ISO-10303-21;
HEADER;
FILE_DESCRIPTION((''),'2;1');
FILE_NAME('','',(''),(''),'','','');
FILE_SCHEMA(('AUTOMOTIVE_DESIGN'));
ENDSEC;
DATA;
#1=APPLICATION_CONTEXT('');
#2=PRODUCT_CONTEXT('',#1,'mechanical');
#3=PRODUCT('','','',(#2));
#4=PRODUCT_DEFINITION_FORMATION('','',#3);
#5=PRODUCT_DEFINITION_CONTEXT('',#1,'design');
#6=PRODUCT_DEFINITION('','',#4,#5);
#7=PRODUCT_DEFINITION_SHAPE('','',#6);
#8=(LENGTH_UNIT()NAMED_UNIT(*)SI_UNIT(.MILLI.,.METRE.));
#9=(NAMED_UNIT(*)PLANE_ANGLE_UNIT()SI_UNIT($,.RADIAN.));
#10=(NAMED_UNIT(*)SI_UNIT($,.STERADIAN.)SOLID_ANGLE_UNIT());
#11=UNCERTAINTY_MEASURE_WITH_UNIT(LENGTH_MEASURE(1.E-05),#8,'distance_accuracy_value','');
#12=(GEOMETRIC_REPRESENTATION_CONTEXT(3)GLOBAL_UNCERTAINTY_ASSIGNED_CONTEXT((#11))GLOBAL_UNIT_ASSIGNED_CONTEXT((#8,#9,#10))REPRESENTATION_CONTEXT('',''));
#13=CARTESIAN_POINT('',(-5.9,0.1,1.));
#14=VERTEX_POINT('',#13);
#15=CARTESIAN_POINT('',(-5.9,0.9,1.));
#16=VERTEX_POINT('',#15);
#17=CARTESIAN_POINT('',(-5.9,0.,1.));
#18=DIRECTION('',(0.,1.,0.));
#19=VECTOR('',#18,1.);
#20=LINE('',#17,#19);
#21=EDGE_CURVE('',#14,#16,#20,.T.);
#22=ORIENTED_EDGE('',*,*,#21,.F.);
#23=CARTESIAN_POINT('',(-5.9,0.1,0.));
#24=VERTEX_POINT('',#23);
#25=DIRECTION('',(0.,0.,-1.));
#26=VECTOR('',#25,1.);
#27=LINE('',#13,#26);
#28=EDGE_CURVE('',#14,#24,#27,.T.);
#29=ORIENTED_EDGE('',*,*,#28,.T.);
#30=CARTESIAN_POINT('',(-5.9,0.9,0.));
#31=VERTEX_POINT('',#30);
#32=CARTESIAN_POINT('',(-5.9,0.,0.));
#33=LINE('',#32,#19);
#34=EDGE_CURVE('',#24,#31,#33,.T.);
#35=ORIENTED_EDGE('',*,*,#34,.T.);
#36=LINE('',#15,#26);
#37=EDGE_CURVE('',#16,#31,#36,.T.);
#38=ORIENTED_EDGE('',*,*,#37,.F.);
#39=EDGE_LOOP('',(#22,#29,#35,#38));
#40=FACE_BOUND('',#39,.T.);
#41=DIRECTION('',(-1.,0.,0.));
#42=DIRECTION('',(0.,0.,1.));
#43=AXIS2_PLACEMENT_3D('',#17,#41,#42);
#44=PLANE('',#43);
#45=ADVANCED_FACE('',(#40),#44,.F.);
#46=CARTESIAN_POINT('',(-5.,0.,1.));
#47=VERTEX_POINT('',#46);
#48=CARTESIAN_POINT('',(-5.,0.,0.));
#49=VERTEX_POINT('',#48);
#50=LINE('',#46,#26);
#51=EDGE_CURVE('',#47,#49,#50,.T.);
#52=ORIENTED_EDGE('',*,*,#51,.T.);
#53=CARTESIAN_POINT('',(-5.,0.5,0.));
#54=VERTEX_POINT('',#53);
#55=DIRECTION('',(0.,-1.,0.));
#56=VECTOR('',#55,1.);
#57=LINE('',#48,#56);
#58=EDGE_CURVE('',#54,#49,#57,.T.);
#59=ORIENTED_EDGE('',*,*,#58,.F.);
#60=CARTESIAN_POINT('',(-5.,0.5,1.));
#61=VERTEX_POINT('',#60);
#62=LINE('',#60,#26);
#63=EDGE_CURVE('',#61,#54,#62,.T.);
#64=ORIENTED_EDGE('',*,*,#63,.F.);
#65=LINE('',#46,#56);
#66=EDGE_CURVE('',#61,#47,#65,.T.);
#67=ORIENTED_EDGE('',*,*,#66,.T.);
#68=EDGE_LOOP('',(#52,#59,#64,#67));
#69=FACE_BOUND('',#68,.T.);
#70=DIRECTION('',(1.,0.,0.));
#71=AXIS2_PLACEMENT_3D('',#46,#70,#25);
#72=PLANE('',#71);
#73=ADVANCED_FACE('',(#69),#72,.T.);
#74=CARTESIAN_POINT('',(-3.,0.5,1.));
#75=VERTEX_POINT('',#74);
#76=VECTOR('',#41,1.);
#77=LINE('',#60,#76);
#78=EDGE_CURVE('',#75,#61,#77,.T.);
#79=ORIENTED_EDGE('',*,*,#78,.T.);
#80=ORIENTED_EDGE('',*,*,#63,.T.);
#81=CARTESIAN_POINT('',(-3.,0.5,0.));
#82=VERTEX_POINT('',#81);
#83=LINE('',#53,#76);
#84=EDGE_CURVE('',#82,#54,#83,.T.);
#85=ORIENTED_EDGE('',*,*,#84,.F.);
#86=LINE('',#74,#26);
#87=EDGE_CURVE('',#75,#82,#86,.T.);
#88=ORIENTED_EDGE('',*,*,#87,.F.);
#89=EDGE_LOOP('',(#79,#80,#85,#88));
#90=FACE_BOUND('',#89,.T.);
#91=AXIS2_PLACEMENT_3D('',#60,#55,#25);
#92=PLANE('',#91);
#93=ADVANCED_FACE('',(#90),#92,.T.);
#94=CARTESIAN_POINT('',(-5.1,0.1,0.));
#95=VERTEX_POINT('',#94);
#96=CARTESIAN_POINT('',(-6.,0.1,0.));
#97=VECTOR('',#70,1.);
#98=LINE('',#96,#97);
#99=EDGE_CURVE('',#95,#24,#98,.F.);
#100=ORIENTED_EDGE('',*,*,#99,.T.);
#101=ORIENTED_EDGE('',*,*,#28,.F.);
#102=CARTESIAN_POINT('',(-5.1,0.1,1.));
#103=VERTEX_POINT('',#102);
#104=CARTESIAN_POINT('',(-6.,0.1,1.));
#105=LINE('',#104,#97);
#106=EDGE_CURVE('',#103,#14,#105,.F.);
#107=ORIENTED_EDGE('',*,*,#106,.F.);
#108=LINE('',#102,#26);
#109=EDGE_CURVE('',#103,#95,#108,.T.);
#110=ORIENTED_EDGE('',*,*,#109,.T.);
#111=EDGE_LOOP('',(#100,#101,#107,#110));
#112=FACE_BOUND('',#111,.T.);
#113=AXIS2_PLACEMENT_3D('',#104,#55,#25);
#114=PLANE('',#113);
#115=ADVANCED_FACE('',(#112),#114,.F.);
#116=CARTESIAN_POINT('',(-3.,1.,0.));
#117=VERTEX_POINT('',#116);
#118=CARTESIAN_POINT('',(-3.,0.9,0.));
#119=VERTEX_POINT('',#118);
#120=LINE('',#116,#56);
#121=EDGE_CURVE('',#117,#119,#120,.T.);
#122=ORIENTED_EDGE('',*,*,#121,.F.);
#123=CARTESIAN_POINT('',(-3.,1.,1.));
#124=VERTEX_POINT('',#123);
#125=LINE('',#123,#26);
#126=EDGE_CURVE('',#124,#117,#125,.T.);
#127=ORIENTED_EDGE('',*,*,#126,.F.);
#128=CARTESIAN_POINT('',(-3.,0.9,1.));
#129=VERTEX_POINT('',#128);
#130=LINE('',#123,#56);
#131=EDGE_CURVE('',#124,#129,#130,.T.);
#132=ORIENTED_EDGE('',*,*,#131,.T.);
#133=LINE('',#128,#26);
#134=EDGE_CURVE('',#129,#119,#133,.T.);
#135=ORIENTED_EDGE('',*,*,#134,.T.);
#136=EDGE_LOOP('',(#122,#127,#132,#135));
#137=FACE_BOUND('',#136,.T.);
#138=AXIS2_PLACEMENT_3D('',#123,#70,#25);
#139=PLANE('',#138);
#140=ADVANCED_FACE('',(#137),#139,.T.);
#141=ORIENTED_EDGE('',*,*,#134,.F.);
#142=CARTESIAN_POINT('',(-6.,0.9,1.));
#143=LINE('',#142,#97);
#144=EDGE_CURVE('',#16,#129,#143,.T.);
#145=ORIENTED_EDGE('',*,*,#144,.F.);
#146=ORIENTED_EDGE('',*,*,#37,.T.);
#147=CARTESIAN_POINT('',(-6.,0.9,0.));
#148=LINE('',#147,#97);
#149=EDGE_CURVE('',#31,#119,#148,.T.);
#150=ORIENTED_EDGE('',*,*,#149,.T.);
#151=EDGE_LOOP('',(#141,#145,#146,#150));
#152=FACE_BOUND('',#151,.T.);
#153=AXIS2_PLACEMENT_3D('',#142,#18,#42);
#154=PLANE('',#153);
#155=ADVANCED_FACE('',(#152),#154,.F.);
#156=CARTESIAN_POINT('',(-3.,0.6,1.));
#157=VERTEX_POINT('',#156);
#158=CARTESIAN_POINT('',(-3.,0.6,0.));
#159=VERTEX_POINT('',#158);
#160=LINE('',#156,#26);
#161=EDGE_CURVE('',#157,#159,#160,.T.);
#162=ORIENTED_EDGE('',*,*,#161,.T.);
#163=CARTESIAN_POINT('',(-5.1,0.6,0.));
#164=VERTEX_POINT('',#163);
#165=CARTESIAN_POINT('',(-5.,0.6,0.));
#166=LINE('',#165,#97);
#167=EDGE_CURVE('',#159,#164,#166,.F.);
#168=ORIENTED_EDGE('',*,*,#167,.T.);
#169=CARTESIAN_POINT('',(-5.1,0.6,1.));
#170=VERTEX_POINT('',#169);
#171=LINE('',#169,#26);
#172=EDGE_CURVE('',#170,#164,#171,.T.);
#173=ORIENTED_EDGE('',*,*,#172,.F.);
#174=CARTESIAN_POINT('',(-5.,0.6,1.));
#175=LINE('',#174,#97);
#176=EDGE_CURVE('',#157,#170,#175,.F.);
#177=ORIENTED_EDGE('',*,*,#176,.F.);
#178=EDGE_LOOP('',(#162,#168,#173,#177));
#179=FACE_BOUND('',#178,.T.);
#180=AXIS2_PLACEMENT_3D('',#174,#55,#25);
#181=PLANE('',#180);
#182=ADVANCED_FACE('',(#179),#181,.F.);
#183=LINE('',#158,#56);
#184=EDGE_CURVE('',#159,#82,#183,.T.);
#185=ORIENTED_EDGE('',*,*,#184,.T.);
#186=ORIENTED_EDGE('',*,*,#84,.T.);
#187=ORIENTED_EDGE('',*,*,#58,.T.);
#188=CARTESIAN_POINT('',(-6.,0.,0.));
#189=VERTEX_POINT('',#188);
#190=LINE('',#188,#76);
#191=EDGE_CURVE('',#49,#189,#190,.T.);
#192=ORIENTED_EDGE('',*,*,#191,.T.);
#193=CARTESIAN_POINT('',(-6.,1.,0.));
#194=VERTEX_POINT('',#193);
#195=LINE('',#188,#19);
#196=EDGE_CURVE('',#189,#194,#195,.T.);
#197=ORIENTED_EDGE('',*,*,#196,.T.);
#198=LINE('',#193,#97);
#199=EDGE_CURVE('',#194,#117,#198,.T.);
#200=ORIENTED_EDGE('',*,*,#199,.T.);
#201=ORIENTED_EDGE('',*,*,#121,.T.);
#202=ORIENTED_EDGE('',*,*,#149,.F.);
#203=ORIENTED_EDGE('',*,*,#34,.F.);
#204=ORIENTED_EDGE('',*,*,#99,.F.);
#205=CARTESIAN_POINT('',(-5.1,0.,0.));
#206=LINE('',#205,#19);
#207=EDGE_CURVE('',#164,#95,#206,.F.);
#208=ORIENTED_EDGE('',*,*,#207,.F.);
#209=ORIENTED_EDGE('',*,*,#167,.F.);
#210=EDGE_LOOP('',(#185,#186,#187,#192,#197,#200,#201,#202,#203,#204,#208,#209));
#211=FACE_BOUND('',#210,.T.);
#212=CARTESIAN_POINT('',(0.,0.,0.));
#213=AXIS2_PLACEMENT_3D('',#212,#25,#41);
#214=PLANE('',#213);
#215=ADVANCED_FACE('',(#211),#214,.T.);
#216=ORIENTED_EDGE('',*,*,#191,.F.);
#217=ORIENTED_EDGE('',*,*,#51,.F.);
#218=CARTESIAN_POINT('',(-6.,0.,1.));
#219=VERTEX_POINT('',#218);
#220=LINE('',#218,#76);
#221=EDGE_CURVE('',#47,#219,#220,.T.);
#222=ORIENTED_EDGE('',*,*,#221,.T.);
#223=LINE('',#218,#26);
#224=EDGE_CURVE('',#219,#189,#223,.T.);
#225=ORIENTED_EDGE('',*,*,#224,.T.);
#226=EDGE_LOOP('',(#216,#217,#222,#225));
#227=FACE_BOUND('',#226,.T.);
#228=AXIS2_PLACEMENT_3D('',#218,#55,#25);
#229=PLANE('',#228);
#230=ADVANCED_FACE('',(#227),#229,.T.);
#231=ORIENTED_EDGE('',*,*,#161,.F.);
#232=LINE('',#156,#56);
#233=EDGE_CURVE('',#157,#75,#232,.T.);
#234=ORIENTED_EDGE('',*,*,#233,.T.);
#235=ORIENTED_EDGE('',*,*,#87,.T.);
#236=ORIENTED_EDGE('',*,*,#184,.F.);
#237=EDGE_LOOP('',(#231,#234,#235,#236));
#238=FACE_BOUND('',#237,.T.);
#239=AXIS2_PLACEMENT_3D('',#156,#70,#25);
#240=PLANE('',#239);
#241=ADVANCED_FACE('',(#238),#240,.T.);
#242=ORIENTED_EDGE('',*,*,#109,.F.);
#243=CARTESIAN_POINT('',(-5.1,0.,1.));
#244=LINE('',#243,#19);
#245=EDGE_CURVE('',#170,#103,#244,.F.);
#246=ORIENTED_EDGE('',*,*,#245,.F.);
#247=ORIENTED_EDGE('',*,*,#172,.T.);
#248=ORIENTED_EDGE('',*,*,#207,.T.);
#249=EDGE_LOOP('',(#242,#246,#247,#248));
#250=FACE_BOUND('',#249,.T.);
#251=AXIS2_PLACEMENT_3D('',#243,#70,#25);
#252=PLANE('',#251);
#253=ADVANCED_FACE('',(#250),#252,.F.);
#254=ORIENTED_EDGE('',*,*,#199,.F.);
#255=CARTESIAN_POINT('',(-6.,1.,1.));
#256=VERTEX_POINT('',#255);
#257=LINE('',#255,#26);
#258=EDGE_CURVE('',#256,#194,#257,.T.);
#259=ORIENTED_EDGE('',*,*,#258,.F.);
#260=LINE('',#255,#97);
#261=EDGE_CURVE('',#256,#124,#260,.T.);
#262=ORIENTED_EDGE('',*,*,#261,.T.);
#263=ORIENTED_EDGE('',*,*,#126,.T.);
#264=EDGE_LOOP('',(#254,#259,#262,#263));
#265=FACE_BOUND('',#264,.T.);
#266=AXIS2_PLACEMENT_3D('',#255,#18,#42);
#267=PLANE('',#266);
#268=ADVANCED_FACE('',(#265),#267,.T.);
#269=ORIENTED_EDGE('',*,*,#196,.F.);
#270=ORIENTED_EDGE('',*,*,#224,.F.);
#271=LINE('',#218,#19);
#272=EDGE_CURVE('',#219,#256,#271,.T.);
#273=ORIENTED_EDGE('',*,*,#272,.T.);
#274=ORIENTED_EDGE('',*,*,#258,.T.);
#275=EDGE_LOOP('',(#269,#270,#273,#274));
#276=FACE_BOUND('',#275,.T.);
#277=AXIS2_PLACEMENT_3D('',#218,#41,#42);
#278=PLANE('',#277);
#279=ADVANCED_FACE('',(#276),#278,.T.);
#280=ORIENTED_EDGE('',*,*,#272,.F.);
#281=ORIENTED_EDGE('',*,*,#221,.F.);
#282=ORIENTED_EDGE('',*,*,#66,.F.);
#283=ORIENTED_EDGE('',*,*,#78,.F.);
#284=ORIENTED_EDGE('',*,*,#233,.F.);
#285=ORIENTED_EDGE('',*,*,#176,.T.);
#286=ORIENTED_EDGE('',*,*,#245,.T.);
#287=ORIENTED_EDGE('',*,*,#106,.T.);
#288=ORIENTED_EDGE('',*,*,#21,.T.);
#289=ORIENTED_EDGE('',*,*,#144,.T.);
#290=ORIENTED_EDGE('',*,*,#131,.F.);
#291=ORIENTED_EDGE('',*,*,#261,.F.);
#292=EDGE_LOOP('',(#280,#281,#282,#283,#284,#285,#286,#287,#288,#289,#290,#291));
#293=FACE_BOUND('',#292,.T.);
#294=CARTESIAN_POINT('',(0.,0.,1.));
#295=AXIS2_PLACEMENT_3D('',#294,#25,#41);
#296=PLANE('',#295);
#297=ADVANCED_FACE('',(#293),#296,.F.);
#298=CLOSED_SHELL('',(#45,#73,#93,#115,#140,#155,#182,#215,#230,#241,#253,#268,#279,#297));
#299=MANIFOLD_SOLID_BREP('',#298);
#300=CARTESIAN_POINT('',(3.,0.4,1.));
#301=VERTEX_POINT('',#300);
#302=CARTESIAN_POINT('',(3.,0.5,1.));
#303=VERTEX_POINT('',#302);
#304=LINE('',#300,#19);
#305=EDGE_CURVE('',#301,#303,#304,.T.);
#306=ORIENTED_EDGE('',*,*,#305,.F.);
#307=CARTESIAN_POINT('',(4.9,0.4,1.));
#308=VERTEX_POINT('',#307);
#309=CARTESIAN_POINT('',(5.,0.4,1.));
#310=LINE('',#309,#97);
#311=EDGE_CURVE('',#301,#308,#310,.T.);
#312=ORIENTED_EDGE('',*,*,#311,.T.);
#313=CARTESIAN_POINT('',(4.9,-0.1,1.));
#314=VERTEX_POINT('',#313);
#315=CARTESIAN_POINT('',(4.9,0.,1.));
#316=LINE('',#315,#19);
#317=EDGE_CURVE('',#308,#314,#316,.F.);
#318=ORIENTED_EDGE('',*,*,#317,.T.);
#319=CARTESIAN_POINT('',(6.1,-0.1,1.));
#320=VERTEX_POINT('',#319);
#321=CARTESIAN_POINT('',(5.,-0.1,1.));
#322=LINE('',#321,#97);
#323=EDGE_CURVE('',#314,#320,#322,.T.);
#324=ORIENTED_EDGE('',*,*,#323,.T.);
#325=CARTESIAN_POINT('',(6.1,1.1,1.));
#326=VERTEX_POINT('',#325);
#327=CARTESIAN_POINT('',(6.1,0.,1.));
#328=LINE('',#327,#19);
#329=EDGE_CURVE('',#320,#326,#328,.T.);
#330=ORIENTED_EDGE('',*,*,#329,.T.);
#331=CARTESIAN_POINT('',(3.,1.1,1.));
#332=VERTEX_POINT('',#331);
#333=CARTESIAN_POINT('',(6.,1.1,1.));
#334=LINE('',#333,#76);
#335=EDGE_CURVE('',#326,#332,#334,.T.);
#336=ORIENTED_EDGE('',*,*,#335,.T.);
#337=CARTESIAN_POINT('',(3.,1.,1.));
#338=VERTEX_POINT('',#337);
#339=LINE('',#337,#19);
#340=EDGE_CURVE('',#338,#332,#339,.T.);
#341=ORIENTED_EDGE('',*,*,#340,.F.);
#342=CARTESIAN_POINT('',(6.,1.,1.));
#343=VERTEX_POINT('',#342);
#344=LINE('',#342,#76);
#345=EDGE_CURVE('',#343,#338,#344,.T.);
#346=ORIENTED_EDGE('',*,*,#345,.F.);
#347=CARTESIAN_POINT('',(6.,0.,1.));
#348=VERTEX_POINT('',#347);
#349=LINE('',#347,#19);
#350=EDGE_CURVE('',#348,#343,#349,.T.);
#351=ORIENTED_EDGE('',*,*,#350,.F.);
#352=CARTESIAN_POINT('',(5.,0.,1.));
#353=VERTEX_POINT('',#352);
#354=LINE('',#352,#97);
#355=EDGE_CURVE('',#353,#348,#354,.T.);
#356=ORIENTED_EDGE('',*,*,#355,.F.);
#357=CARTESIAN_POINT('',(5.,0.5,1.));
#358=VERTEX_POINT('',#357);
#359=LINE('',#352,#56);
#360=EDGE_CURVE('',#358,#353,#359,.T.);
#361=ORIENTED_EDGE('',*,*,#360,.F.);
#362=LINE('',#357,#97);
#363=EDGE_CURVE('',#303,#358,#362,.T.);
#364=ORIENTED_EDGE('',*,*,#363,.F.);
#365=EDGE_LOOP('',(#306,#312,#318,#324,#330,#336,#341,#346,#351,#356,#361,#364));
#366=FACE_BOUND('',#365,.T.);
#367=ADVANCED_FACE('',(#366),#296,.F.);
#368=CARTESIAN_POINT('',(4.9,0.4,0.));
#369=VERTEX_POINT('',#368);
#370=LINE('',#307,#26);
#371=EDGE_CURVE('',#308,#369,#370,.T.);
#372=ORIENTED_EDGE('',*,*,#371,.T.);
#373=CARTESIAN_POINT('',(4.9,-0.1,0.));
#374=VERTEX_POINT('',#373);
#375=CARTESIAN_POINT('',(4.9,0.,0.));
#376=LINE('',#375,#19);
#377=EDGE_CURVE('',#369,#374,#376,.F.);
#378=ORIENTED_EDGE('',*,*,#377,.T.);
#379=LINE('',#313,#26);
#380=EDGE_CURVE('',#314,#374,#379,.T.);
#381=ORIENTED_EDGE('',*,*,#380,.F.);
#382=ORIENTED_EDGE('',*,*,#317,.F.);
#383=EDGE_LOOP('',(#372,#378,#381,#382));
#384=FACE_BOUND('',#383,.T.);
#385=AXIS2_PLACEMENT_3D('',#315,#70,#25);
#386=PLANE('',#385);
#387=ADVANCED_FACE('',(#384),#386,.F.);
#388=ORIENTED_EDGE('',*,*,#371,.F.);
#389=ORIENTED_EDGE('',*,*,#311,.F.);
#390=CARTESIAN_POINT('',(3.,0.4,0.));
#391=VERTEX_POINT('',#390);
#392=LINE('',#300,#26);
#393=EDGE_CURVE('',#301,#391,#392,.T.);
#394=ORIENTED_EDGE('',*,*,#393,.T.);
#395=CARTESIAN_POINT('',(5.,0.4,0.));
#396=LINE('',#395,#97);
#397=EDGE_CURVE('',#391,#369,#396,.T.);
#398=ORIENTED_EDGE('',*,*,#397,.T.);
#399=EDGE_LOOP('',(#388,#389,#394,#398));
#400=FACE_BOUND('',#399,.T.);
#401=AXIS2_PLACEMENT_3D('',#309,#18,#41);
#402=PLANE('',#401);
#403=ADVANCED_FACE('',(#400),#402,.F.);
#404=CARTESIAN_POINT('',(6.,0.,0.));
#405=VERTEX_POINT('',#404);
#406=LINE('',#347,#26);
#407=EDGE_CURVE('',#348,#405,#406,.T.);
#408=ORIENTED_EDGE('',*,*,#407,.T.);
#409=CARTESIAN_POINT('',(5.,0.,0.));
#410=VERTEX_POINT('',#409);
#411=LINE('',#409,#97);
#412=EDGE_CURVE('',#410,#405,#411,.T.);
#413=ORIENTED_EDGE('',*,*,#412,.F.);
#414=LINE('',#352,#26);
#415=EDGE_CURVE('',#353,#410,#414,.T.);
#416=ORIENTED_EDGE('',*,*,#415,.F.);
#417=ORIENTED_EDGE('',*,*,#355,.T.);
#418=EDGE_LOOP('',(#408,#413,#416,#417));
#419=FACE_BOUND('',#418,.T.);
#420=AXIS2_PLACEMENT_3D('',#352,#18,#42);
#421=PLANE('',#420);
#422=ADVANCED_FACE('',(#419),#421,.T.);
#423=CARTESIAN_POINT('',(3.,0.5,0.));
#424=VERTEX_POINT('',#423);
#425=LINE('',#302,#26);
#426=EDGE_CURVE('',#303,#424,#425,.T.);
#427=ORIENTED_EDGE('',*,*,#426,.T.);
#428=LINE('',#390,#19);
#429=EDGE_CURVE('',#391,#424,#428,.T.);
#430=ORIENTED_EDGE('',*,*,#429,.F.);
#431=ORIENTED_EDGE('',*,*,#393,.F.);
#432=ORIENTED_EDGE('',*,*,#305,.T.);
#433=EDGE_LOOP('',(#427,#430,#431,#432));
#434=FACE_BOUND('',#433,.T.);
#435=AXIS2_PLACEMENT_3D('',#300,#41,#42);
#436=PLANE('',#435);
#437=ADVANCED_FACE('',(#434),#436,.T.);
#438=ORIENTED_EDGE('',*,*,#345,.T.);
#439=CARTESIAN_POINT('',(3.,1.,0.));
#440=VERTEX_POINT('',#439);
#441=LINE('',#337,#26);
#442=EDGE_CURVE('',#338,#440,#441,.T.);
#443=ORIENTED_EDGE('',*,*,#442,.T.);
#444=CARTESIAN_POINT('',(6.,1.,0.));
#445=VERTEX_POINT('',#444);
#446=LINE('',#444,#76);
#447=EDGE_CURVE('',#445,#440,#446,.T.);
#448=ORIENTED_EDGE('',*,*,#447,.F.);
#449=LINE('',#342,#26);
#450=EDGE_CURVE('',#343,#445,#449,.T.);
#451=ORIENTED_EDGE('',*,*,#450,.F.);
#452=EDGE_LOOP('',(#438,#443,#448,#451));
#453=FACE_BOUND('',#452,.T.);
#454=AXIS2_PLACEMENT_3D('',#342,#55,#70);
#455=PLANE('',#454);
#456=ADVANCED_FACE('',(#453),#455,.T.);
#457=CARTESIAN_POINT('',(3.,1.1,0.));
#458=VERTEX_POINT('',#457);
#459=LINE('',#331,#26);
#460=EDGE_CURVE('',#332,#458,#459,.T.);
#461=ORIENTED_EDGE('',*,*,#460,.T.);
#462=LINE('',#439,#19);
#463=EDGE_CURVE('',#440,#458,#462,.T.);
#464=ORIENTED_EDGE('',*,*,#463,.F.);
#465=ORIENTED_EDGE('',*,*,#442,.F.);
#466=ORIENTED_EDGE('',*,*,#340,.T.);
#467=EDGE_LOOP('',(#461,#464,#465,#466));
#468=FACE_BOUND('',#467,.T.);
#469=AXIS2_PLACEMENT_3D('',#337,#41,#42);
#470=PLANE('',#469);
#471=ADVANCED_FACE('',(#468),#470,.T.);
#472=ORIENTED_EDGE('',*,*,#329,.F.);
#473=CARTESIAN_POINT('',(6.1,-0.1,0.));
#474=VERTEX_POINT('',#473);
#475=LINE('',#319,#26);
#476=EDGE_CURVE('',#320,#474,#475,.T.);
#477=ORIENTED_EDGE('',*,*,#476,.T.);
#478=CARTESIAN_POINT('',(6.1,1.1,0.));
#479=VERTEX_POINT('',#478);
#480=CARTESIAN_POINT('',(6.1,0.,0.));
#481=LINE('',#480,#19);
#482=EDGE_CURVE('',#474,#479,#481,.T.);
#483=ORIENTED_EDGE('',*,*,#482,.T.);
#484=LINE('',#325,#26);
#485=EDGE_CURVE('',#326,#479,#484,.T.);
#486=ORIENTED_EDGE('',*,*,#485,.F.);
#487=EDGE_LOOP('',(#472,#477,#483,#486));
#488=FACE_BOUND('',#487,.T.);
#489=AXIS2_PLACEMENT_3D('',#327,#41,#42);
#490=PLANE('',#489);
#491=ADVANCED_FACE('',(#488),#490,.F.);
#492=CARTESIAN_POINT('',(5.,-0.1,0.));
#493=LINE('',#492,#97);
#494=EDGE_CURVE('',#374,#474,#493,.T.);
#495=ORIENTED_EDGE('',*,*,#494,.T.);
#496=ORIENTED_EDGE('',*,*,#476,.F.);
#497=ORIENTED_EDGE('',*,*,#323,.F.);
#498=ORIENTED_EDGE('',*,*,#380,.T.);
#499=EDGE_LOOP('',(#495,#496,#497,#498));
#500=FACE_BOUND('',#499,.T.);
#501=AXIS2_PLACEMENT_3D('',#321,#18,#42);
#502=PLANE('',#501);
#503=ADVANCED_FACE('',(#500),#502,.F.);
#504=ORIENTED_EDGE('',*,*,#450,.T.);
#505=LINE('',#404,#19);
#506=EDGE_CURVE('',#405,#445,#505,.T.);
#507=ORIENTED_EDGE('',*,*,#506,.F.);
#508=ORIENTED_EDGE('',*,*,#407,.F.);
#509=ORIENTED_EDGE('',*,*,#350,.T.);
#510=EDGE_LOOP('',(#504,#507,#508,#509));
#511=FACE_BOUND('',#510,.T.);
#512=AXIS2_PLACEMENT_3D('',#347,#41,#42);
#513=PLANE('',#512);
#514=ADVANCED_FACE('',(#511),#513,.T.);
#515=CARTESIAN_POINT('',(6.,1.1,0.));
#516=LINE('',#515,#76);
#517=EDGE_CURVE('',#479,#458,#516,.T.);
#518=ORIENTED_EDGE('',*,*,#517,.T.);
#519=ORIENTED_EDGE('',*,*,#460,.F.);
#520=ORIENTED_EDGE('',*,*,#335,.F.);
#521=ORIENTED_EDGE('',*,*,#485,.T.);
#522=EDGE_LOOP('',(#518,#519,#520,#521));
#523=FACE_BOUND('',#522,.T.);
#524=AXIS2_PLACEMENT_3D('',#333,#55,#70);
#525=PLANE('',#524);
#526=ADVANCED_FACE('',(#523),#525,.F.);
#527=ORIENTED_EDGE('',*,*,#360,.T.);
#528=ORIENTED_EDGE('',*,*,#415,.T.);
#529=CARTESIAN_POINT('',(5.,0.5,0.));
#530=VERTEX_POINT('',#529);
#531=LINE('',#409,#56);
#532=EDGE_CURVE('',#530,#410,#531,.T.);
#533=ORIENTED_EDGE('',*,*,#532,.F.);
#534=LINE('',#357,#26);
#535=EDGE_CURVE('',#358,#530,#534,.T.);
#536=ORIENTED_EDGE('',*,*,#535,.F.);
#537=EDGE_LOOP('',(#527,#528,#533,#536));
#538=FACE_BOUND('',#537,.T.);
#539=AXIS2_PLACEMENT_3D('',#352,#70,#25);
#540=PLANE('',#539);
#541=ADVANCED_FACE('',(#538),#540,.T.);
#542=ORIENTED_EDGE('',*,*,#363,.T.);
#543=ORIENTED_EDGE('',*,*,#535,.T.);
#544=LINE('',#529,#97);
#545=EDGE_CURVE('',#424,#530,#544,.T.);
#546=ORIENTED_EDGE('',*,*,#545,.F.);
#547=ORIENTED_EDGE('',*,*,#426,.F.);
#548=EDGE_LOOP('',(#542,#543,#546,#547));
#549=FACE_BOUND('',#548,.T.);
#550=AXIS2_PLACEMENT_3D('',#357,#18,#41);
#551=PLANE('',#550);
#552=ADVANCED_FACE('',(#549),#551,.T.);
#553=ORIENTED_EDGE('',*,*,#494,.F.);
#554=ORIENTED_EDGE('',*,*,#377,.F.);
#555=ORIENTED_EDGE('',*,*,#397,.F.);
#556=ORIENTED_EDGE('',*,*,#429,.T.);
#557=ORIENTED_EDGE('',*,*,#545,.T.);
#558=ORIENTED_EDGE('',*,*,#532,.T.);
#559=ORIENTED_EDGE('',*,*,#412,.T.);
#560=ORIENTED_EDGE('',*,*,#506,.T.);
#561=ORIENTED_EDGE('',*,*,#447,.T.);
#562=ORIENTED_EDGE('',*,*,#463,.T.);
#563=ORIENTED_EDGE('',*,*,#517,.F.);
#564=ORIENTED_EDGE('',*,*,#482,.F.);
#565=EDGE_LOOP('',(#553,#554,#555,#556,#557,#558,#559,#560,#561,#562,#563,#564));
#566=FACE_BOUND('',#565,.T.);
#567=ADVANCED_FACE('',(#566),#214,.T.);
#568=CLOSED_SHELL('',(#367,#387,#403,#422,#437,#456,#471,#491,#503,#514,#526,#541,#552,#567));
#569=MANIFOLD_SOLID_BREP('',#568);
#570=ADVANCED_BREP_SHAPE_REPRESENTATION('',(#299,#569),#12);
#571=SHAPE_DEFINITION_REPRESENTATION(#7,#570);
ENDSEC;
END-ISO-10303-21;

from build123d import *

# Parameters (mm, degrees)
EXTRUDE_THIN2_DEPTH   = 1
EXTRUDE_THIN2_2_DEPTH = 1


with BuildPart() as part:
    # Sketch2 → Extrude-Thin2 (new body)
    with BuildSketch(Plane.XY):
        Polygon((-3, 1), (-6, 1), (-6, 0), (-5, 0), (-5, 0.5), (-3, 0.5), (-3, 0.6), (-5.1, 0.6), (-5.1, 0.1), (-5.9, 0.1), (-5.9, 0.9), (-3, 0.9), align=None)
    extrude(amount=EXTRUDE_THIN2_DEPTH)


with BuildPart() as body_2:
    # Sketch2 → Extrude-Thin2 2 (new body)
    with BuildSketch(Plane.XY):
        Polygon((3, 1), (6, 1), (6, 0), (5, 0), (5, 0.5), (3, 0.5), (3, 0.4), (4.9, 0.4), (4.9, -0.1), (6.1, -0.1), (6.1, 1.1), (3, 1.1), align=None)
    extrude(amount=EXTRUDE_THIN2_2_DEPTH)


solid = Compound([part.part, body_2.part])
